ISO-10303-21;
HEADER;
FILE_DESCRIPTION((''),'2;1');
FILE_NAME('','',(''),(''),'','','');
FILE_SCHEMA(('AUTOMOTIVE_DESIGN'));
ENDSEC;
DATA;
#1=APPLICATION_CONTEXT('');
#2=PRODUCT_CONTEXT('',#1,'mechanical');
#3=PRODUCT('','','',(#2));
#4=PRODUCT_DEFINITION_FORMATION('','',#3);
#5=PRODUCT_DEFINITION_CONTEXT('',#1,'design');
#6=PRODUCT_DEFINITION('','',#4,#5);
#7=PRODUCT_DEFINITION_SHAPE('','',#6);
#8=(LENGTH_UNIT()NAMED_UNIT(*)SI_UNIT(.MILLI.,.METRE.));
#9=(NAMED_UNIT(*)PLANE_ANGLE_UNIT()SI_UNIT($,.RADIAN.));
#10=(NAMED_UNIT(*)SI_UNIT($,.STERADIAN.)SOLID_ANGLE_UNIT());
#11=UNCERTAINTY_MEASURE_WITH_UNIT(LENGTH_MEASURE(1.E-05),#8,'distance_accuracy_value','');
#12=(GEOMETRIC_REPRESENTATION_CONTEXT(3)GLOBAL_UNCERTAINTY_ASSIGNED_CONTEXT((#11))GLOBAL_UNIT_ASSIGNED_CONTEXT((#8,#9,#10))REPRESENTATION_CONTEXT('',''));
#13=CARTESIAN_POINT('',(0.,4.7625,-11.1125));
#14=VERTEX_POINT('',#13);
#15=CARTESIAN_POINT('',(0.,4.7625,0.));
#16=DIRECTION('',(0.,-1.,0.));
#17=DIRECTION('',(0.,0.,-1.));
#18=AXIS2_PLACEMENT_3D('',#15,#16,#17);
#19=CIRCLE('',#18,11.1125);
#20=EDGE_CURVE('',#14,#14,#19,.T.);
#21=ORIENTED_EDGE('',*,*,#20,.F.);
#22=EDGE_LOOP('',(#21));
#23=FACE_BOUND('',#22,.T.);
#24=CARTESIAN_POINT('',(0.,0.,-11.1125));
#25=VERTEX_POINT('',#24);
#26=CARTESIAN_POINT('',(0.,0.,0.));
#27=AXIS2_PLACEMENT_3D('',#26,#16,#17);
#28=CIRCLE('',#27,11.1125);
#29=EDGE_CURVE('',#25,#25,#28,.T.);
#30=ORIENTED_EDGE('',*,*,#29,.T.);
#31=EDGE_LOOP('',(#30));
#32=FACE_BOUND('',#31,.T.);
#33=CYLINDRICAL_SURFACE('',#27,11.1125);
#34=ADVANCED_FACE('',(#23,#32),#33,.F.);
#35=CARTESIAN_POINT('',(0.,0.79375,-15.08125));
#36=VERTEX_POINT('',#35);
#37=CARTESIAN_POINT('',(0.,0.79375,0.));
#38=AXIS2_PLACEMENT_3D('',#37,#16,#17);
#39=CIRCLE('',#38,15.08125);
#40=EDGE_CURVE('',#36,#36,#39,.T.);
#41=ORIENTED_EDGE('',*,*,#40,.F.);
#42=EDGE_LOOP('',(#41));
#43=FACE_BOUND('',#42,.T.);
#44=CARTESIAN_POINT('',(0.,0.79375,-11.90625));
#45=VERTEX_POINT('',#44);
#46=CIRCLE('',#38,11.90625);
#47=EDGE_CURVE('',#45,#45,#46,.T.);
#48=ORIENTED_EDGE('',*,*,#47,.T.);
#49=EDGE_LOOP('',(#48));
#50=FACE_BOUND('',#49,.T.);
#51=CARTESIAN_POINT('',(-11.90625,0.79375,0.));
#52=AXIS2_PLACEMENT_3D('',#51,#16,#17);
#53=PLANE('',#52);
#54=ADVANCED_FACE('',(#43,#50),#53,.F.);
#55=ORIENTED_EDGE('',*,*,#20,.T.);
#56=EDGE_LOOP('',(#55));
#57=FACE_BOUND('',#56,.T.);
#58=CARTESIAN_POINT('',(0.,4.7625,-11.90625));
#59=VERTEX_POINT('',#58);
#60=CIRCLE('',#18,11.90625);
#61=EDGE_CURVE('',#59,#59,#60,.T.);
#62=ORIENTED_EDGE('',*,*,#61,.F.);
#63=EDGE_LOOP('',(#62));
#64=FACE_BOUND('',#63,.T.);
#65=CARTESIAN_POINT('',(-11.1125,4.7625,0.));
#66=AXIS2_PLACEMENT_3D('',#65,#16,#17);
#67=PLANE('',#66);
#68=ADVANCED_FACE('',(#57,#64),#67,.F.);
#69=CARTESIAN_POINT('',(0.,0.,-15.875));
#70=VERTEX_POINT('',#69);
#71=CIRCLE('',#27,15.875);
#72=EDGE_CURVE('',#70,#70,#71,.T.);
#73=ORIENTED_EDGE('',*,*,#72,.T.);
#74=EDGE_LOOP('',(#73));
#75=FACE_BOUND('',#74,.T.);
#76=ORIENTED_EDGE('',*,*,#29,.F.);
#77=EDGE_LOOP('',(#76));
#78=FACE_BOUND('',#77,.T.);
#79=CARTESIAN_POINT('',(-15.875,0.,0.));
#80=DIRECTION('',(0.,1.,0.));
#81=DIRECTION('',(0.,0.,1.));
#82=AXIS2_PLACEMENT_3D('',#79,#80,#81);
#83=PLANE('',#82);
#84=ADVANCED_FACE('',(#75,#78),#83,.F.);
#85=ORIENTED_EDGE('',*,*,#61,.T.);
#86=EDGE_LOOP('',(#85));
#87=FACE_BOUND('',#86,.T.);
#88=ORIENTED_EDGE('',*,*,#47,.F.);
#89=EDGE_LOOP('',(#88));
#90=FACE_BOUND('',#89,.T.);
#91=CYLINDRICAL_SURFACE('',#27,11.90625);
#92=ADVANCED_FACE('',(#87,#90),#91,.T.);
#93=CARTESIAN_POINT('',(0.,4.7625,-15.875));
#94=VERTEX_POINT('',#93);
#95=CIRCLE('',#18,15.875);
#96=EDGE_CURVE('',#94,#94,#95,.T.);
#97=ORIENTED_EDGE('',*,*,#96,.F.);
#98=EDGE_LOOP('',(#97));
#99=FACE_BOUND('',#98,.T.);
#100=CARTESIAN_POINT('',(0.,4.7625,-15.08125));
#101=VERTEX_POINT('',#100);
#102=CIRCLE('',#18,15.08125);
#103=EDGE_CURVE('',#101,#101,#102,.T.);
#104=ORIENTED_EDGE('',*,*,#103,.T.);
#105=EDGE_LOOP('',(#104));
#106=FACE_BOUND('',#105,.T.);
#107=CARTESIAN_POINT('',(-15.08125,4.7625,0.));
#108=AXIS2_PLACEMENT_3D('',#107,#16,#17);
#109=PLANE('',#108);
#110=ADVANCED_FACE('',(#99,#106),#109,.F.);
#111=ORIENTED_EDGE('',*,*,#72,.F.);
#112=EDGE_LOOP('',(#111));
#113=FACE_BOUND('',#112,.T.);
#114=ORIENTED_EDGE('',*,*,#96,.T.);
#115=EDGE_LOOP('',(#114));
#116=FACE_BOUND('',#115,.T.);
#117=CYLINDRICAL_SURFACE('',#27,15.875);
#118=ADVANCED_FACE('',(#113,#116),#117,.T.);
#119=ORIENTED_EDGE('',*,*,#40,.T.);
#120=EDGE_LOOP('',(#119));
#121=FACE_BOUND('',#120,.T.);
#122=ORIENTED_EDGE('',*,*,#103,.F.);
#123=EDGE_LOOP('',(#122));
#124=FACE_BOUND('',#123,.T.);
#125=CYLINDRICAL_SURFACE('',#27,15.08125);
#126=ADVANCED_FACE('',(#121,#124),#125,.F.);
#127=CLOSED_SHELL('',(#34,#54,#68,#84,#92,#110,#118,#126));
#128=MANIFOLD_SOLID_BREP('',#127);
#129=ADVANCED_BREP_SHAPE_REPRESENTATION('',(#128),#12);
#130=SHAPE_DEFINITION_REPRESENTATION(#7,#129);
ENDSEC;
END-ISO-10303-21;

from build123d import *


with BuildPart() as part:
    # Sketch1 → Revolve1 (revolve)
    with BuildSketch(Plane.XY):
        Polygon((-15.875, 4.7625), (-15.875, 0), (-11.1125, 0), (-11.1125, 4.7625), (-11.90625, 4.7625), (-11.90625, 0.79375), (-15.08125, 0.79375), (-15.08125, 4.7625), align=None)
    revolve(axis=Axis((0, 0, 0), (0, 1, 0)))


solid = part.part
